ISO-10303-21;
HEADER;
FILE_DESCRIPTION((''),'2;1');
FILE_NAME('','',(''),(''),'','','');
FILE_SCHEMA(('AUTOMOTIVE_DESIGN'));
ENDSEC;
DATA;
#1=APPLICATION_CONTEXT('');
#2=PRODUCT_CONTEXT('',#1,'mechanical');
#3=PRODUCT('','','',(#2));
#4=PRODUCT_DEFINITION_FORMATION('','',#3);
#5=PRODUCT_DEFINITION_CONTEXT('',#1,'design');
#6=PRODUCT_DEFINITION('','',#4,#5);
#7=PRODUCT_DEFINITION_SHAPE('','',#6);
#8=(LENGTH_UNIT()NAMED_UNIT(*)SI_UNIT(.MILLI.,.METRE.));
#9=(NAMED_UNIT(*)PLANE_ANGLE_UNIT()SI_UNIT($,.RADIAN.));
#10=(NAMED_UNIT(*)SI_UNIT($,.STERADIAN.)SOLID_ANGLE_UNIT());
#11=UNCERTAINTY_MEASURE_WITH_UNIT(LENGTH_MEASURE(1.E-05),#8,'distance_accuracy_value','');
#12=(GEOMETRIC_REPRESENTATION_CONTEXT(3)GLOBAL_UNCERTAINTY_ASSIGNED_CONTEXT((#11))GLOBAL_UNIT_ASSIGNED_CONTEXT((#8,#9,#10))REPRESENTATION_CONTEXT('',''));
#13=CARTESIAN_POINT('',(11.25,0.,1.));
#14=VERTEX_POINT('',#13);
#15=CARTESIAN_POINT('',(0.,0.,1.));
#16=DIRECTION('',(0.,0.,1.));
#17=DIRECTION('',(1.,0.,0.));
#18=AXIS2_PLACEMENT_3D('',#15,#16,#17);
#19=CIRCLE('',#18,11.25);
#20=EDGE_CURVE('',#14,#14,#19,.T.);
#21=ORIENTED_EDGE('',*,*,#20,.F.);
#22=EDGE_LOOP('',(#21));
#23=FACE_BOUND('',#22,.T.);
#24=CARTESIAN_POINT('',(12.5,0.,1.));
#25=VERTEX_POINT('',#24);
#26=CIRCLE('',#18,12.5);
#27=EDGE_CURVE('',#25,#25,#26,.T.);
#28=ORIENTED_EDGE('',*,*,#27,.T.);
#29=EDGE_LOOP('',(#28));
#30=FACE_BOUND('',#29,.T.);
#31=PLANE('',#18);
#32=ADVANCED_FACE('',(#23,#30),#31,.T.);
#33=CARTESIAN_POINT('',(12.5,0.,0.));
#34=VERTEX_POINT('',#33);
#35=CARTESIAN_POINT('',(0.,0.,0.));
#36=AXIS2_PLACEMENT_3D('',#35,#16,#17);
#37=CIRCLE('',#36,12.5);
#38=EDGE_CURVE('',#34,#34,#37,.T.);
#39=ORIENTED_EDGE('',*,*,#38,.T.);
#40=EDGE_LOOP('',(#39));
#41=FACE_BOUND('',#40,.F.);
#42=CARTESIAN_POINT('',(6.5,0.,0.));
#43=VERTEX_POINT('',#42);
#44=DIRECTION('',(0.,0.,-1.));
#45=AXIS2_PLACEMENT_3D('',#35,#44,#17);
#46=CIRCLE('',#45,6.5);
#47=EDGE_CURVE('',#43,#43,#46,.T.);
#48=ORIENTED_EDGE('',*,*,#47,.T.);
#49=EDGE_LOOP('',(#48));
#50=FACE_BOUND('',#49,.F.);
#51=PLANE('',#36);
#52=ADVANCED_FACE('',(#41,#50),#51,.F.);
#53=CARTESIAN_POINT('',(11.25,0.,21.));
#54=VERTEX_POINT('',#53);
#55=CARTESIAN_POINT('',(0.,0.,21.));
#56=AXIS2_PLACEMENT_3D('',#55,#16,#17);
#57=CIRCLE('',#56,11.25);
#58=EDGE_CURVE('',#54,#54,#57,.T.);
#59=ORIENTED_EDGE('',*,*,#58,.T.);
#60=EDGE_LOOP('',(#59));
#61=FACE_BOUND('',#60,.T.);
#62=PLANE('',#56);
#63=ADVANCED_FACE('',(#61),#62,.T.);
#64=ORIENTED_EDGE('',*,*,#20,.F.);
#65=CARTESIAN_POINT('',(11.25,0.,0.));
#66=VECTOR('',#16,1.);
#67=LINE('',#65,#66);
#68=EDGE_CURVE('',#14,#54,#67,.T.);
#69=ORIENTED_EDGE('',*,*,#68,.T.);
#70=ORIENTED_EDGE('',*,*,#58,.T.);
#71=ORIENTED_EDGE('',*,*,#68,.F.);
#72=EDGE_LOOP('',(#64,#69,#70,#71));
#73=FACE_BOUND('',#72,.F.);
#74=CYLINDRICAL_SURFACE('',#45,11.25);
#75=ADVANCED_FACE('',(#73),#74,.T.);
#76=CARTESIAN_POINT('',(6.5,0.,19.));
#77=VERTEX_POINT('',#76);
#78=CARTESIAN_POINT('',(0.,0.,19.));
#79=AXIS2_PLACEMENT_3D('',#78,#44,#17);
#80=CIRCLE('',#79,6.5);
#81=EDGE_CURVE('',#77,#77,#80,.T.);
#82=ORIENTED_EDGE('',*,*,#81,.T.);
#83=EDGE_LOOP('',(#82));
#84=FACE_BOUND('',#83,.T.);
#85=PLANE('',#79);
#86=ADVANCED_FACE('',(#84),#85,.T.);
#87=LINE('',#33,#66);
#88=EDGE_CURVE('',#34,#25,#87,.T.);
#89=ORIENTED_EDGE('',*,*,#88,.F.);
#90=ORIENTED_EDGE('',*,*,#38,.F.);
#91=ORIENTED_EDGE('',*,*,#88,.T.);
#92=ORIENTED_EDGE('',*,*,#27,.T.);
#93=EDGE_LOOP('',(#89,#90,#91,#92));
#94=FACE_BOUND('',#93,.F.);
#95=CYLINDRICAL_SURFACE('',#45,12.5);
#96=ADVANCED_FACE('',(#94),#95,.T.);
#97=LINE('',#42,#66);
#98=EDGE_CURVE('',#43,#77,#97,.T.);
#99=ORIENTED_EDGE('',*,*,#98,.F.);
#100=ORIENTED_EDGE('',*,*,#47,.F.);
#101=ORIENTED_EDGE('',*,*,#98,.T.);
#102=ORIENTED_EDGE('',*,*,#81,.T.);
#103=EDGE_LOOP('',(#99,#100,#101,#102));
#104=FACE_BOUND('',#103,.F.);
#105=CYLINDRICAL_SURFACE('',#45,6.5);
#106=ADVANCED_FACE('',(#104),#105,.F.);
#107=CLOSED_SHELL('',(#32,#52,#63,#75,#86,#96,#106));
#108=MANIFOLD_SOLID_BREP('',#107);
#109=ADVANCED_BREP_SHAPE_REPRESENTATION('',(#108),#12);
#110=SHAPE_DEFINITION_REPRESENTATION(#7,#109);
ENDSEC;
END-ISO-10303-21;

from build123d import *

# Parameters (mm, degrees)
F0_R     = 11.25
F1_DEPTH = 21
F0_R_2   = 12.5
F2_DEPTH = 1
F3_R     = 6.5
F4_DEPTH = 19


with BuildPart() as f1:
    # F0 (on Top) → F1 (new body)
    with BuildSketch(Plane.XY):
        Circle(F0_R)
    extrude(amount=F1_DEPTH)

    # F0 (on Top) → F2 (join)
    with BuildSketch(Plane.XY):
        Circle(F0_R_2)
        Circle(F0_R, mode=Mode.SUBTRACT)
    extrude(amount=F2_DEPTH)

    # F3 (on face) → F4 (cut)
    with BuildSketch(Plane(origin=(0, 0, 0), x_dir=(1, 0, 0), z_dir=(0, 0, -1))):
        Circle(F3_R)
    extrude(amount=-F4_DEPTH, mode=Mode.SUBTRACT)


solid = f1.part
